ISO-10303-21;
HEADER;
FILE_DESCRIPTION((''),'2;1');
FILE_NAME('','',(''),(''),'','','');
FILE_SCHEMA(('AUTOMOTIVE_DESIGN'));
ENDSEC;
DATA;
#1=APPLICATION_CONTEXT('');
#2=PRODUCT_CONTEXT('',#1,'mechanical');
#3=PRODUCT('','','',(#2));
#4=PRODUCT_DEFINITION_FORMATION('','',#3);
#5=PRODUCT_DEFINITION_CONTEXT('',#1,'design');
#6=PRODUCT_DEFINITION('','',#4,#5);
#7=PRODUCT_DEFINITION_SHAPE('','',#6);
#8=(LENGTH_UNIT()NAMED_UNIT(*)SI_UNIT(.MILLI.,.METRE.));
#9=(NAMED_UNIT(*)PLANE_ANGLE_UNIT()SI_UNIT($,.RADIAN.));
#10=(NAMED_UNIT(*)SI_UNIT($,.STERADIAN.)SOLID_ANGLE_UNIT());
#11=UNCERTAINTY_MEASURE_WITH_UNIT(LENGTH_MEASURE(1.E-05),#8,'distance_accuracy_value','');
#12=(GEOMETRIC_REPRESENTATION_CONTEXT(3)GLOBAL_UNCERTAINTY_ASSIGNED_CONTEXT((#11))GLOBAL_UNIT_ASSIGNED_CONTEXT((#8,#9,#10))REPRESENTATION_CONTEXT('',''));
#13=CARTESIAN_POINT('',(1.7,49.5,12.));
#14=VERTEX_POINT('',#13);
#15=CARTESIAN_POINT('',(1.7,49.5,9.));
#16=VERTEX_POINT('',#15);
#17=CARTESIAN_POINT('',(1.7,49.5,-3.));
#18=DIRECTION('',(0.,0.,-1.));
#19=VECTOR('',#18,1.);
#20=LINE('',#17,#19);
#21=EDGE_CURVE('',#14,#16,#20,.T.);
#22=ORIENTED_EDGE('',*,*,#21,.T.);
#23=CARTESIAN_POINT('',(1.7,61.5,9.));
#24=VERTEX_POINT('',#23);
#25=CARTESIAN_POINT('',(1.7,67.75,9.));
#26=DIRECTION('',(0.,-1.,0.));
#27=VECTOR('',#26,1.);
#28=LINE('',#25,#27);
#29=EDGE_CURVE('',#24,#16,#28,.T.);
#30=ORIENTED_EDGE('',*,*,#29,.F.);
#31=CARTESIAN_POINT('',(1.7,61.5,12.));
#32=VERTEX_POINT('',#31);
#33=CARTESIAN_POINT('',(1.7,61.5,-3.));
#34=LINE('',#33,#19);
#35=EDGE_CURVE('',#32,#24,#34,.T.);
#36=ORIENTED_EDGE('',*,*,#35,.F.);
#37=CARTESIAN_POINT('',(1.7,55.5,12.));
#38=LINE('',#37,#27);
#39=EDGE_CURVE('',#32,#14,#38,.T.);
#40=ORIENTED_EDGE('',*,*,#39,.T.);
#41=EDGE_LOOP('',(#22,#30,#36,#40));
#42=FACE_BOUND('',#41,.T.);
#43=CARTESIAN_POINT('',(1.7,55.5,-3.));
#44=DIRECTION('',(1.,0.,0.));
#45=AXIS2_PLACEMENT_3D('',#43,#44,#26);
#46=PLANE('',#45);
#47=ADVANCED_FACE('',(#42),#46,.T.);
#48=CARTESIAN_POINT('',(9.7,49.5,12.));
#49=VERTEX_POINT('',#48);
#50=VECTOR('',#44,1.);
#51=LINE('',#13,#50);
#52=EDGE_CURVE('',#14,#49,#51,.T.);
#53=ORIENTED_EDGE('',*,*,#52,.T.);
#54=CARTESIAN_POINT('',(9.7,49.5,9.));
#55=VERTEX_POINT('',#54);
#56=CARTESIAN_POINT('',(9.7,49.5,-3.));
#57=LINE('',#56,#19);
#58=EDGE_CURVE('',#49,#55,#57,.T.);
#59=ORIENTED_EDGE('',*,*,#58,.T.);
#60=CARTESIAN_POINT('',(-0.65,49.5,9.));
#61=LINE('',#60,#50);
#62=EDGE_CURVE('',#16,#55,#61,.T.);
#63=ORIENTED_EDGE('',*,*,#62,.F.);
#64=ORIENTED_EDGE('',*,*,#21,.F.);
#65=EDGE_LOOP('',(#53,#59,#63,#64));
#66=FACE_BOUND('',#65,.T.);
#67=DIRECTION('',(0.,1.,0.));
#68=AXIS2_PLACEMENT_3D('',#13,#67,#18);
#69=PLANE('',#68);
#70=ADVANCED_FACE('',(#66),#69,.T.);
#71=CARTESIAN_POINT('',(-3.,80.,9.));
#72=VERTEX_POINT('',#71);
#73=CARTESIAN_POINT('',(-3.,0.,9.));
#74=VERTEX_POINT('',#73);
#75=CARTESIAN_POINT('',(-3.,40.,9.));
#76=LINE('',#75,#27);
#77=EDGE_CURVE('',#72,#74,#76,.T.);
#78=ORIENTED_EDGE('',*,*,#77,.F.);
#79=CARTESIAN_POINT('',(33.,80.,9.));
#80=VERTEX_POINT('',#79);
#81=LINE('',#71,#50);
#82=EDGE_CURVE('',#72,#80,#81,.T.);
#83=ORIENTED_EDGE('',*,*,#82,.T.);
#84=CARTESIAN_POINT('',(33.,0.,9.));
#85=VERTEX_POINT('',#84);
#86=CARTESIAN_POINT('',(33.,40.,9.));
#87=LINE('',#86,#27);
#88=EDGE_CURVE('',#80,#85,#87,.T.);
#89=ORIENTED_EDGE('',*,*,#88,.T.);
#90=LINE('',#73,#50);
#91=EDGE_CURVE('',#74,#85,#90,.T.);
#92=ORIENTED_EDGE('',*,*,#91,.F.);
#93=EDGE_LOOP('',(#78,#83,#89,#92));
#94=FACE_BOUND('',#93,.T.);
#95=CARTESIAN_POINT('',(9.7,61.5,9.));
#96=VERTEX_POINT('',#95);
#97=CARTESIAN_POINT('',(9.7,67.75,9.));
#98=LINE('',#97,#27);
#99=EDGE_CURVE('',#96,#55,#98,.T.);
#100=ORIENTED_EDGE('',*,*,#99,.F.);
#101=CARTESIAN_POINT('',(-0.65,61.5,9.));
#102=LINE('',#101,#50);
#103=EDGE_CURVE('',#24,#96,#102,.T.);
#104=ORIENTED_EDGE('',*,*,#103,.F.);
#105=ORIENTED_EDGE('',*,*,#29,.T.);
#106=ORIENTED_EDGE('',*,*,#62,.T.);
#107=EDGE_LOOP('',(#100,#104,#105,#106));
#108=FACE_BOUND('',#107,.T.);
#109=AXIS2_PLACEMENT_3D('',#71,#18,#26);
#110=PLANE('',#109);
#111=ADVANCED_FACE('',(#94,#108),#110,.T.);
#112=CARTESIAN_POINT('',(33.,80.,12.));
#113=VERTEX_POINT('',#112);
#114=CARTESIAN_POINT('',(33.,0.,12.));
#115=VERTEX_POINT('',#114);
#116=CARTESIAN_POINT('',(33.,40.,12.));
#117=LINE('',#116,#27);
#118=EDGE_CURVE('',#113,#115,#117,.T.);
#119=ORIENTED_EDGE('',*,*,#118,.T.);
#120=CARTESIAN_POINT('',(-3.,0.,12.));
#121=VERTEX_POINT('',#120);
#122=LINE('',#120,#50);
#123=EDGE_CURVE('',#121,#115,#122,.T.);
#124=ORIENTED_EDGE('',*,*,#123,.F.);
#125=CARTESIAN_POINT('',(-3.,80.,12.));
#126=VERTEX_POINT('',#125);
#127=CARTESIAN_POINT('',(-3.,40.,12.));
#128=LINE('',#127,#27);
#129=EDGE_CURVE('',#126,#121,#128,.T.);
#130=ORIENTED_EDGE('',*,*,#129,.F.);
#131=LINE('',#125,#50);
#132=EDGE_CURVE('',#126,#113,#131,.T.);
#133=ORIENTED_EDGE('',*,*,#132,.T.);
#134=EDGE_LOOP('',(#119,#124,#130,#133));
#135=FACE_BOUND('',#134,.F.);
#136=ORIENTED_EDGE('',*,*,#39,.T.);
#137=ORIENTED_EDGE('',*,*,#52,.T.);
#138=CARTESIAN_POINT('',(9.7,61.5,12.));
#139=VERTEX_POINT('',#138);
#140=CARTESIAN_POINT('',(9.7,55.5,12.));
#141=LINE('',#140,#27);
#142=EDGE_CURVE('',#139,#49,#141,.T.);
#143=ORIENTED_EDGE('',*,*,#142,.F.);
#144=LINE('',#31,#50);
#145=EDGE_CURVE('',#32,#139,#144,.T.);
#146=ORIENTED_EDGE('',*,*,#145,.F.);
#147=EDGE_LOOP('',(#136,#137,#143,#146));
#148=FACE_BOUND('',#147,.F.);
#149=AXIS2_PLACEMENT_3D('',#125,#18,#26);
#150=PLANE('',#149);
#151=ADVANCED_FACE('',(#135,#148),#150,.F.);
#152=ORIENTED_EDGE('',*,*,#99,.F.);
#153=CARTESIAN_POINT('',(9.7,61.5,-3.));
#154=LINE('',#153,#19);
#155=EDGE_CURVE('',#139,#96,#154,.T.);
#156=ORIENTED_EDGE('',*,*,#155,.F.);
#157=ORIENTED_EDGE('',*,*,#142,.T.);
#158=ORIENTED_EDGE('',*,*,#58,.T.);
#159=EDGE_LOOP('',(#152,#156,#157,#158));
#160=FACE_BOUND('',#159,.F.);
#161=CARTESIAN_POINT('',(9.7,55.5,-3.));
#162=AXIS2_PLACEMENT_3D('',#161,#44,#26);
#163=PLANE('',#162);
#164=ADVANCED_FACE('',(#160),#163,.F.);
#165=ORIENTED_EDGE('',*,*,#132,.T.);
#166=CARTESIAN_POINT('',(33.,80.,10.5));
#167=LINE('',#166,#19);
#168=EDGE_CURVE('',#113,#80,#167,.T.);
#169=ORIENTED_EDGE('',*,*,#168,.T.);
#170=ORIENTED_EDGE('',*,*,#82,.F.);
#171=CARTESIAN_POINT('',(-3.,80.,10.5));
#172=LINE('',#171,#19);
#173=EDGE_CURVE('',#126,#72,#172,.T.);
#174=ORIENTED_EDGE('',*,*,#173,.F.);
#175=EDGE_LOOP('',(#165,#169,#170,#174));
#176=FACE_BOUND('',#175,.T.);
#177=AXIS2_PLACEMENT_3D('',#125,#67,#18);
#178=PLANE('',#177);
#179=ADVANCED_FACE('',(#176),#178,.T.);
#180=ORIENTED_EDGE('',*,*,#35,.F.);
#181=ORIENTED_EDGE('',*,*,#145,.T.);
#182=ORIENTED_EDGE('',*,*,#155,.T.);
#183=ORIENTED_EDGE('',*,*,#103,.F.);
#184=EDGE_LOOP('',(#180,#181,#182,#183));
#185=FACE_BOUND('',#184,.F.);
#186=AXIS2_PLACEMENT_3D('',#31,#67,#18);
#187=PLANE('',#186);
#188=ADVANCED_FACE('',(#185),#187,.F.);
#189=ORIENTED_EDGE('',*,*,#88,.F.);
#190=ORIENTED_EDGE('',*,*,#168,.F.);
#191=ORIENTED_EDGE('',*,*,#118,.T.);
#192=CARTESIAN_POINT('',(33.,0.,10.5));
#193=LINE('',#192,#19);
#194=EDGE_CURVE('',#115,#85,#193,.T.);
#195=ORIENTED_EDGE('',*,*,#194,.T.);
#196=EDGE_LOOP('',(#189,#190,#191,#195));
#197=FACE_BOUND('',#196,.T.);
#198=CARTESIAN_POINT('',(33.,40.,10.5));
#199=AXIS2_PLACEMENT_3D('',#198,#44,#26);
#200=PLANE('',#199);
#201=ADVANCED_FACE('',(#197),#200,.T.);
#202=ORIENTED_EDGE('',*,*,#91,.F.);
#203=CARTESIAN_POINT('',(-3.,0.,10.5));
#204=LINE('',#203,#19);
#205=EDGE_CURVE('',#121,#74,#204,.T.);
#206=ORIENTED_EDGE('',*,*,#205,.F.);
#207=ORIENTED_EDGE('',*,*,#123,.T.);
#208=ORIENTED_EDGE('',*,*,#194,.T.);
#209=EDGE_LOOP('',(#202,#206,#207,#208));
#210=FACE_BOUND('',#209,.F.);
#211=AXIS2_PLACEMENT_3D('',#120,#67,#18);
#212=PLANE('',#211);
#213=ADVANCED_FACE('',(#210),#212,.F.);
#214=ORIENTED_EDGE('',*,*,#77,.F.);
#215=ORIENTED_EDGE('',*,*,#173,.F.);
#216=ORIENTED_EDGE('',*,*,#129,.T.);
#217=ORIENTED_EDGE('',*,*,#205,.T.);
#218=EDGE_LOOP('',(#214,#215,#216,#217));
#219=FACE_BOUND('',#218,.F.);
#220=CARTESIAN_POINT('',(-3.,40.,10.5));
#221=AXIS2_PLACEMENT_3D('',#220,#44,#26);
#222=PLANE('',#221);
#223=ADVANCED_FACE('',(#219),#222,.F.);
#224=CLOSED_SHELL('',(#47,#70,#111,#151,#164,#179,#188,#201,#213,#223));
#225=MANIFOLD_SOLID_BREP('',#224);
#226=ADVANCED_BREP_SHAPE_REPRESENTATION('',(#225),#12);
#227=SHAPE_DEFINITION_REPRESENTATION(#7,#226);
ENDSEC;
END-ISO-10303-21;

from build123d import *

# Parameters (mm, degrees)
BOX020_W                = 12
BOX020_H                = 30
BOX020_DEPTH            = 8
BOX019_W                = 80
BOX019_H                = 3
BOX019_DEPTH            = 36
BODY007_PLACEMENT_ANGLE = 90


with BuildPart() as micro_usb_hole:
    # Box020 → Box020 (new body)
    with BuildSketch(Plane(origin=(0, -18.5, 4.7), x_dir=(0, -1, 0), z_dir=(0, 0, 1))):
        with Locations((6, 15)):
            Rectangle(BOX020_W, BOX020_H)
    extrude(amount=BOX020_DEPTH)


with BuildPart() as model_wall_with_micro_usb_clone:
    # Box019 → Box019 (new body)
    with BuildSketch(Plane(origin=(0, 0, 0), x_dir=(0, -1, 0), z_dir=(0, 0, 1))):
        with Locations((40, 1.5)):
            Rectangle(BOX019_W, BOX019_H)
    extrude(amount=BOX019_DEPTH)

    # Cut008: cut micro usb hole
    add(micro_usb_hole.part, mode=Mode.SUBTRACT)


with BuildPart() as model_wall_with_micro_usb_clone_1:
    # Cut008 placement: moved
    add(model_wall_with_micro_usb_clone.part.moved(Location((-12, 80, -3))))


with BuildPart() as model_wall_with_micro_usb_clone_2:
    # Body007 placement: moved
    add(model_wall_with_micro_usb_clone_1.part.rotate(Axis((0, 0, 0), (0, 1, 0)), BODY007_PLACEMENT_ANGLE))


solid = model_wall_with_micro_usb_clone_2.part
